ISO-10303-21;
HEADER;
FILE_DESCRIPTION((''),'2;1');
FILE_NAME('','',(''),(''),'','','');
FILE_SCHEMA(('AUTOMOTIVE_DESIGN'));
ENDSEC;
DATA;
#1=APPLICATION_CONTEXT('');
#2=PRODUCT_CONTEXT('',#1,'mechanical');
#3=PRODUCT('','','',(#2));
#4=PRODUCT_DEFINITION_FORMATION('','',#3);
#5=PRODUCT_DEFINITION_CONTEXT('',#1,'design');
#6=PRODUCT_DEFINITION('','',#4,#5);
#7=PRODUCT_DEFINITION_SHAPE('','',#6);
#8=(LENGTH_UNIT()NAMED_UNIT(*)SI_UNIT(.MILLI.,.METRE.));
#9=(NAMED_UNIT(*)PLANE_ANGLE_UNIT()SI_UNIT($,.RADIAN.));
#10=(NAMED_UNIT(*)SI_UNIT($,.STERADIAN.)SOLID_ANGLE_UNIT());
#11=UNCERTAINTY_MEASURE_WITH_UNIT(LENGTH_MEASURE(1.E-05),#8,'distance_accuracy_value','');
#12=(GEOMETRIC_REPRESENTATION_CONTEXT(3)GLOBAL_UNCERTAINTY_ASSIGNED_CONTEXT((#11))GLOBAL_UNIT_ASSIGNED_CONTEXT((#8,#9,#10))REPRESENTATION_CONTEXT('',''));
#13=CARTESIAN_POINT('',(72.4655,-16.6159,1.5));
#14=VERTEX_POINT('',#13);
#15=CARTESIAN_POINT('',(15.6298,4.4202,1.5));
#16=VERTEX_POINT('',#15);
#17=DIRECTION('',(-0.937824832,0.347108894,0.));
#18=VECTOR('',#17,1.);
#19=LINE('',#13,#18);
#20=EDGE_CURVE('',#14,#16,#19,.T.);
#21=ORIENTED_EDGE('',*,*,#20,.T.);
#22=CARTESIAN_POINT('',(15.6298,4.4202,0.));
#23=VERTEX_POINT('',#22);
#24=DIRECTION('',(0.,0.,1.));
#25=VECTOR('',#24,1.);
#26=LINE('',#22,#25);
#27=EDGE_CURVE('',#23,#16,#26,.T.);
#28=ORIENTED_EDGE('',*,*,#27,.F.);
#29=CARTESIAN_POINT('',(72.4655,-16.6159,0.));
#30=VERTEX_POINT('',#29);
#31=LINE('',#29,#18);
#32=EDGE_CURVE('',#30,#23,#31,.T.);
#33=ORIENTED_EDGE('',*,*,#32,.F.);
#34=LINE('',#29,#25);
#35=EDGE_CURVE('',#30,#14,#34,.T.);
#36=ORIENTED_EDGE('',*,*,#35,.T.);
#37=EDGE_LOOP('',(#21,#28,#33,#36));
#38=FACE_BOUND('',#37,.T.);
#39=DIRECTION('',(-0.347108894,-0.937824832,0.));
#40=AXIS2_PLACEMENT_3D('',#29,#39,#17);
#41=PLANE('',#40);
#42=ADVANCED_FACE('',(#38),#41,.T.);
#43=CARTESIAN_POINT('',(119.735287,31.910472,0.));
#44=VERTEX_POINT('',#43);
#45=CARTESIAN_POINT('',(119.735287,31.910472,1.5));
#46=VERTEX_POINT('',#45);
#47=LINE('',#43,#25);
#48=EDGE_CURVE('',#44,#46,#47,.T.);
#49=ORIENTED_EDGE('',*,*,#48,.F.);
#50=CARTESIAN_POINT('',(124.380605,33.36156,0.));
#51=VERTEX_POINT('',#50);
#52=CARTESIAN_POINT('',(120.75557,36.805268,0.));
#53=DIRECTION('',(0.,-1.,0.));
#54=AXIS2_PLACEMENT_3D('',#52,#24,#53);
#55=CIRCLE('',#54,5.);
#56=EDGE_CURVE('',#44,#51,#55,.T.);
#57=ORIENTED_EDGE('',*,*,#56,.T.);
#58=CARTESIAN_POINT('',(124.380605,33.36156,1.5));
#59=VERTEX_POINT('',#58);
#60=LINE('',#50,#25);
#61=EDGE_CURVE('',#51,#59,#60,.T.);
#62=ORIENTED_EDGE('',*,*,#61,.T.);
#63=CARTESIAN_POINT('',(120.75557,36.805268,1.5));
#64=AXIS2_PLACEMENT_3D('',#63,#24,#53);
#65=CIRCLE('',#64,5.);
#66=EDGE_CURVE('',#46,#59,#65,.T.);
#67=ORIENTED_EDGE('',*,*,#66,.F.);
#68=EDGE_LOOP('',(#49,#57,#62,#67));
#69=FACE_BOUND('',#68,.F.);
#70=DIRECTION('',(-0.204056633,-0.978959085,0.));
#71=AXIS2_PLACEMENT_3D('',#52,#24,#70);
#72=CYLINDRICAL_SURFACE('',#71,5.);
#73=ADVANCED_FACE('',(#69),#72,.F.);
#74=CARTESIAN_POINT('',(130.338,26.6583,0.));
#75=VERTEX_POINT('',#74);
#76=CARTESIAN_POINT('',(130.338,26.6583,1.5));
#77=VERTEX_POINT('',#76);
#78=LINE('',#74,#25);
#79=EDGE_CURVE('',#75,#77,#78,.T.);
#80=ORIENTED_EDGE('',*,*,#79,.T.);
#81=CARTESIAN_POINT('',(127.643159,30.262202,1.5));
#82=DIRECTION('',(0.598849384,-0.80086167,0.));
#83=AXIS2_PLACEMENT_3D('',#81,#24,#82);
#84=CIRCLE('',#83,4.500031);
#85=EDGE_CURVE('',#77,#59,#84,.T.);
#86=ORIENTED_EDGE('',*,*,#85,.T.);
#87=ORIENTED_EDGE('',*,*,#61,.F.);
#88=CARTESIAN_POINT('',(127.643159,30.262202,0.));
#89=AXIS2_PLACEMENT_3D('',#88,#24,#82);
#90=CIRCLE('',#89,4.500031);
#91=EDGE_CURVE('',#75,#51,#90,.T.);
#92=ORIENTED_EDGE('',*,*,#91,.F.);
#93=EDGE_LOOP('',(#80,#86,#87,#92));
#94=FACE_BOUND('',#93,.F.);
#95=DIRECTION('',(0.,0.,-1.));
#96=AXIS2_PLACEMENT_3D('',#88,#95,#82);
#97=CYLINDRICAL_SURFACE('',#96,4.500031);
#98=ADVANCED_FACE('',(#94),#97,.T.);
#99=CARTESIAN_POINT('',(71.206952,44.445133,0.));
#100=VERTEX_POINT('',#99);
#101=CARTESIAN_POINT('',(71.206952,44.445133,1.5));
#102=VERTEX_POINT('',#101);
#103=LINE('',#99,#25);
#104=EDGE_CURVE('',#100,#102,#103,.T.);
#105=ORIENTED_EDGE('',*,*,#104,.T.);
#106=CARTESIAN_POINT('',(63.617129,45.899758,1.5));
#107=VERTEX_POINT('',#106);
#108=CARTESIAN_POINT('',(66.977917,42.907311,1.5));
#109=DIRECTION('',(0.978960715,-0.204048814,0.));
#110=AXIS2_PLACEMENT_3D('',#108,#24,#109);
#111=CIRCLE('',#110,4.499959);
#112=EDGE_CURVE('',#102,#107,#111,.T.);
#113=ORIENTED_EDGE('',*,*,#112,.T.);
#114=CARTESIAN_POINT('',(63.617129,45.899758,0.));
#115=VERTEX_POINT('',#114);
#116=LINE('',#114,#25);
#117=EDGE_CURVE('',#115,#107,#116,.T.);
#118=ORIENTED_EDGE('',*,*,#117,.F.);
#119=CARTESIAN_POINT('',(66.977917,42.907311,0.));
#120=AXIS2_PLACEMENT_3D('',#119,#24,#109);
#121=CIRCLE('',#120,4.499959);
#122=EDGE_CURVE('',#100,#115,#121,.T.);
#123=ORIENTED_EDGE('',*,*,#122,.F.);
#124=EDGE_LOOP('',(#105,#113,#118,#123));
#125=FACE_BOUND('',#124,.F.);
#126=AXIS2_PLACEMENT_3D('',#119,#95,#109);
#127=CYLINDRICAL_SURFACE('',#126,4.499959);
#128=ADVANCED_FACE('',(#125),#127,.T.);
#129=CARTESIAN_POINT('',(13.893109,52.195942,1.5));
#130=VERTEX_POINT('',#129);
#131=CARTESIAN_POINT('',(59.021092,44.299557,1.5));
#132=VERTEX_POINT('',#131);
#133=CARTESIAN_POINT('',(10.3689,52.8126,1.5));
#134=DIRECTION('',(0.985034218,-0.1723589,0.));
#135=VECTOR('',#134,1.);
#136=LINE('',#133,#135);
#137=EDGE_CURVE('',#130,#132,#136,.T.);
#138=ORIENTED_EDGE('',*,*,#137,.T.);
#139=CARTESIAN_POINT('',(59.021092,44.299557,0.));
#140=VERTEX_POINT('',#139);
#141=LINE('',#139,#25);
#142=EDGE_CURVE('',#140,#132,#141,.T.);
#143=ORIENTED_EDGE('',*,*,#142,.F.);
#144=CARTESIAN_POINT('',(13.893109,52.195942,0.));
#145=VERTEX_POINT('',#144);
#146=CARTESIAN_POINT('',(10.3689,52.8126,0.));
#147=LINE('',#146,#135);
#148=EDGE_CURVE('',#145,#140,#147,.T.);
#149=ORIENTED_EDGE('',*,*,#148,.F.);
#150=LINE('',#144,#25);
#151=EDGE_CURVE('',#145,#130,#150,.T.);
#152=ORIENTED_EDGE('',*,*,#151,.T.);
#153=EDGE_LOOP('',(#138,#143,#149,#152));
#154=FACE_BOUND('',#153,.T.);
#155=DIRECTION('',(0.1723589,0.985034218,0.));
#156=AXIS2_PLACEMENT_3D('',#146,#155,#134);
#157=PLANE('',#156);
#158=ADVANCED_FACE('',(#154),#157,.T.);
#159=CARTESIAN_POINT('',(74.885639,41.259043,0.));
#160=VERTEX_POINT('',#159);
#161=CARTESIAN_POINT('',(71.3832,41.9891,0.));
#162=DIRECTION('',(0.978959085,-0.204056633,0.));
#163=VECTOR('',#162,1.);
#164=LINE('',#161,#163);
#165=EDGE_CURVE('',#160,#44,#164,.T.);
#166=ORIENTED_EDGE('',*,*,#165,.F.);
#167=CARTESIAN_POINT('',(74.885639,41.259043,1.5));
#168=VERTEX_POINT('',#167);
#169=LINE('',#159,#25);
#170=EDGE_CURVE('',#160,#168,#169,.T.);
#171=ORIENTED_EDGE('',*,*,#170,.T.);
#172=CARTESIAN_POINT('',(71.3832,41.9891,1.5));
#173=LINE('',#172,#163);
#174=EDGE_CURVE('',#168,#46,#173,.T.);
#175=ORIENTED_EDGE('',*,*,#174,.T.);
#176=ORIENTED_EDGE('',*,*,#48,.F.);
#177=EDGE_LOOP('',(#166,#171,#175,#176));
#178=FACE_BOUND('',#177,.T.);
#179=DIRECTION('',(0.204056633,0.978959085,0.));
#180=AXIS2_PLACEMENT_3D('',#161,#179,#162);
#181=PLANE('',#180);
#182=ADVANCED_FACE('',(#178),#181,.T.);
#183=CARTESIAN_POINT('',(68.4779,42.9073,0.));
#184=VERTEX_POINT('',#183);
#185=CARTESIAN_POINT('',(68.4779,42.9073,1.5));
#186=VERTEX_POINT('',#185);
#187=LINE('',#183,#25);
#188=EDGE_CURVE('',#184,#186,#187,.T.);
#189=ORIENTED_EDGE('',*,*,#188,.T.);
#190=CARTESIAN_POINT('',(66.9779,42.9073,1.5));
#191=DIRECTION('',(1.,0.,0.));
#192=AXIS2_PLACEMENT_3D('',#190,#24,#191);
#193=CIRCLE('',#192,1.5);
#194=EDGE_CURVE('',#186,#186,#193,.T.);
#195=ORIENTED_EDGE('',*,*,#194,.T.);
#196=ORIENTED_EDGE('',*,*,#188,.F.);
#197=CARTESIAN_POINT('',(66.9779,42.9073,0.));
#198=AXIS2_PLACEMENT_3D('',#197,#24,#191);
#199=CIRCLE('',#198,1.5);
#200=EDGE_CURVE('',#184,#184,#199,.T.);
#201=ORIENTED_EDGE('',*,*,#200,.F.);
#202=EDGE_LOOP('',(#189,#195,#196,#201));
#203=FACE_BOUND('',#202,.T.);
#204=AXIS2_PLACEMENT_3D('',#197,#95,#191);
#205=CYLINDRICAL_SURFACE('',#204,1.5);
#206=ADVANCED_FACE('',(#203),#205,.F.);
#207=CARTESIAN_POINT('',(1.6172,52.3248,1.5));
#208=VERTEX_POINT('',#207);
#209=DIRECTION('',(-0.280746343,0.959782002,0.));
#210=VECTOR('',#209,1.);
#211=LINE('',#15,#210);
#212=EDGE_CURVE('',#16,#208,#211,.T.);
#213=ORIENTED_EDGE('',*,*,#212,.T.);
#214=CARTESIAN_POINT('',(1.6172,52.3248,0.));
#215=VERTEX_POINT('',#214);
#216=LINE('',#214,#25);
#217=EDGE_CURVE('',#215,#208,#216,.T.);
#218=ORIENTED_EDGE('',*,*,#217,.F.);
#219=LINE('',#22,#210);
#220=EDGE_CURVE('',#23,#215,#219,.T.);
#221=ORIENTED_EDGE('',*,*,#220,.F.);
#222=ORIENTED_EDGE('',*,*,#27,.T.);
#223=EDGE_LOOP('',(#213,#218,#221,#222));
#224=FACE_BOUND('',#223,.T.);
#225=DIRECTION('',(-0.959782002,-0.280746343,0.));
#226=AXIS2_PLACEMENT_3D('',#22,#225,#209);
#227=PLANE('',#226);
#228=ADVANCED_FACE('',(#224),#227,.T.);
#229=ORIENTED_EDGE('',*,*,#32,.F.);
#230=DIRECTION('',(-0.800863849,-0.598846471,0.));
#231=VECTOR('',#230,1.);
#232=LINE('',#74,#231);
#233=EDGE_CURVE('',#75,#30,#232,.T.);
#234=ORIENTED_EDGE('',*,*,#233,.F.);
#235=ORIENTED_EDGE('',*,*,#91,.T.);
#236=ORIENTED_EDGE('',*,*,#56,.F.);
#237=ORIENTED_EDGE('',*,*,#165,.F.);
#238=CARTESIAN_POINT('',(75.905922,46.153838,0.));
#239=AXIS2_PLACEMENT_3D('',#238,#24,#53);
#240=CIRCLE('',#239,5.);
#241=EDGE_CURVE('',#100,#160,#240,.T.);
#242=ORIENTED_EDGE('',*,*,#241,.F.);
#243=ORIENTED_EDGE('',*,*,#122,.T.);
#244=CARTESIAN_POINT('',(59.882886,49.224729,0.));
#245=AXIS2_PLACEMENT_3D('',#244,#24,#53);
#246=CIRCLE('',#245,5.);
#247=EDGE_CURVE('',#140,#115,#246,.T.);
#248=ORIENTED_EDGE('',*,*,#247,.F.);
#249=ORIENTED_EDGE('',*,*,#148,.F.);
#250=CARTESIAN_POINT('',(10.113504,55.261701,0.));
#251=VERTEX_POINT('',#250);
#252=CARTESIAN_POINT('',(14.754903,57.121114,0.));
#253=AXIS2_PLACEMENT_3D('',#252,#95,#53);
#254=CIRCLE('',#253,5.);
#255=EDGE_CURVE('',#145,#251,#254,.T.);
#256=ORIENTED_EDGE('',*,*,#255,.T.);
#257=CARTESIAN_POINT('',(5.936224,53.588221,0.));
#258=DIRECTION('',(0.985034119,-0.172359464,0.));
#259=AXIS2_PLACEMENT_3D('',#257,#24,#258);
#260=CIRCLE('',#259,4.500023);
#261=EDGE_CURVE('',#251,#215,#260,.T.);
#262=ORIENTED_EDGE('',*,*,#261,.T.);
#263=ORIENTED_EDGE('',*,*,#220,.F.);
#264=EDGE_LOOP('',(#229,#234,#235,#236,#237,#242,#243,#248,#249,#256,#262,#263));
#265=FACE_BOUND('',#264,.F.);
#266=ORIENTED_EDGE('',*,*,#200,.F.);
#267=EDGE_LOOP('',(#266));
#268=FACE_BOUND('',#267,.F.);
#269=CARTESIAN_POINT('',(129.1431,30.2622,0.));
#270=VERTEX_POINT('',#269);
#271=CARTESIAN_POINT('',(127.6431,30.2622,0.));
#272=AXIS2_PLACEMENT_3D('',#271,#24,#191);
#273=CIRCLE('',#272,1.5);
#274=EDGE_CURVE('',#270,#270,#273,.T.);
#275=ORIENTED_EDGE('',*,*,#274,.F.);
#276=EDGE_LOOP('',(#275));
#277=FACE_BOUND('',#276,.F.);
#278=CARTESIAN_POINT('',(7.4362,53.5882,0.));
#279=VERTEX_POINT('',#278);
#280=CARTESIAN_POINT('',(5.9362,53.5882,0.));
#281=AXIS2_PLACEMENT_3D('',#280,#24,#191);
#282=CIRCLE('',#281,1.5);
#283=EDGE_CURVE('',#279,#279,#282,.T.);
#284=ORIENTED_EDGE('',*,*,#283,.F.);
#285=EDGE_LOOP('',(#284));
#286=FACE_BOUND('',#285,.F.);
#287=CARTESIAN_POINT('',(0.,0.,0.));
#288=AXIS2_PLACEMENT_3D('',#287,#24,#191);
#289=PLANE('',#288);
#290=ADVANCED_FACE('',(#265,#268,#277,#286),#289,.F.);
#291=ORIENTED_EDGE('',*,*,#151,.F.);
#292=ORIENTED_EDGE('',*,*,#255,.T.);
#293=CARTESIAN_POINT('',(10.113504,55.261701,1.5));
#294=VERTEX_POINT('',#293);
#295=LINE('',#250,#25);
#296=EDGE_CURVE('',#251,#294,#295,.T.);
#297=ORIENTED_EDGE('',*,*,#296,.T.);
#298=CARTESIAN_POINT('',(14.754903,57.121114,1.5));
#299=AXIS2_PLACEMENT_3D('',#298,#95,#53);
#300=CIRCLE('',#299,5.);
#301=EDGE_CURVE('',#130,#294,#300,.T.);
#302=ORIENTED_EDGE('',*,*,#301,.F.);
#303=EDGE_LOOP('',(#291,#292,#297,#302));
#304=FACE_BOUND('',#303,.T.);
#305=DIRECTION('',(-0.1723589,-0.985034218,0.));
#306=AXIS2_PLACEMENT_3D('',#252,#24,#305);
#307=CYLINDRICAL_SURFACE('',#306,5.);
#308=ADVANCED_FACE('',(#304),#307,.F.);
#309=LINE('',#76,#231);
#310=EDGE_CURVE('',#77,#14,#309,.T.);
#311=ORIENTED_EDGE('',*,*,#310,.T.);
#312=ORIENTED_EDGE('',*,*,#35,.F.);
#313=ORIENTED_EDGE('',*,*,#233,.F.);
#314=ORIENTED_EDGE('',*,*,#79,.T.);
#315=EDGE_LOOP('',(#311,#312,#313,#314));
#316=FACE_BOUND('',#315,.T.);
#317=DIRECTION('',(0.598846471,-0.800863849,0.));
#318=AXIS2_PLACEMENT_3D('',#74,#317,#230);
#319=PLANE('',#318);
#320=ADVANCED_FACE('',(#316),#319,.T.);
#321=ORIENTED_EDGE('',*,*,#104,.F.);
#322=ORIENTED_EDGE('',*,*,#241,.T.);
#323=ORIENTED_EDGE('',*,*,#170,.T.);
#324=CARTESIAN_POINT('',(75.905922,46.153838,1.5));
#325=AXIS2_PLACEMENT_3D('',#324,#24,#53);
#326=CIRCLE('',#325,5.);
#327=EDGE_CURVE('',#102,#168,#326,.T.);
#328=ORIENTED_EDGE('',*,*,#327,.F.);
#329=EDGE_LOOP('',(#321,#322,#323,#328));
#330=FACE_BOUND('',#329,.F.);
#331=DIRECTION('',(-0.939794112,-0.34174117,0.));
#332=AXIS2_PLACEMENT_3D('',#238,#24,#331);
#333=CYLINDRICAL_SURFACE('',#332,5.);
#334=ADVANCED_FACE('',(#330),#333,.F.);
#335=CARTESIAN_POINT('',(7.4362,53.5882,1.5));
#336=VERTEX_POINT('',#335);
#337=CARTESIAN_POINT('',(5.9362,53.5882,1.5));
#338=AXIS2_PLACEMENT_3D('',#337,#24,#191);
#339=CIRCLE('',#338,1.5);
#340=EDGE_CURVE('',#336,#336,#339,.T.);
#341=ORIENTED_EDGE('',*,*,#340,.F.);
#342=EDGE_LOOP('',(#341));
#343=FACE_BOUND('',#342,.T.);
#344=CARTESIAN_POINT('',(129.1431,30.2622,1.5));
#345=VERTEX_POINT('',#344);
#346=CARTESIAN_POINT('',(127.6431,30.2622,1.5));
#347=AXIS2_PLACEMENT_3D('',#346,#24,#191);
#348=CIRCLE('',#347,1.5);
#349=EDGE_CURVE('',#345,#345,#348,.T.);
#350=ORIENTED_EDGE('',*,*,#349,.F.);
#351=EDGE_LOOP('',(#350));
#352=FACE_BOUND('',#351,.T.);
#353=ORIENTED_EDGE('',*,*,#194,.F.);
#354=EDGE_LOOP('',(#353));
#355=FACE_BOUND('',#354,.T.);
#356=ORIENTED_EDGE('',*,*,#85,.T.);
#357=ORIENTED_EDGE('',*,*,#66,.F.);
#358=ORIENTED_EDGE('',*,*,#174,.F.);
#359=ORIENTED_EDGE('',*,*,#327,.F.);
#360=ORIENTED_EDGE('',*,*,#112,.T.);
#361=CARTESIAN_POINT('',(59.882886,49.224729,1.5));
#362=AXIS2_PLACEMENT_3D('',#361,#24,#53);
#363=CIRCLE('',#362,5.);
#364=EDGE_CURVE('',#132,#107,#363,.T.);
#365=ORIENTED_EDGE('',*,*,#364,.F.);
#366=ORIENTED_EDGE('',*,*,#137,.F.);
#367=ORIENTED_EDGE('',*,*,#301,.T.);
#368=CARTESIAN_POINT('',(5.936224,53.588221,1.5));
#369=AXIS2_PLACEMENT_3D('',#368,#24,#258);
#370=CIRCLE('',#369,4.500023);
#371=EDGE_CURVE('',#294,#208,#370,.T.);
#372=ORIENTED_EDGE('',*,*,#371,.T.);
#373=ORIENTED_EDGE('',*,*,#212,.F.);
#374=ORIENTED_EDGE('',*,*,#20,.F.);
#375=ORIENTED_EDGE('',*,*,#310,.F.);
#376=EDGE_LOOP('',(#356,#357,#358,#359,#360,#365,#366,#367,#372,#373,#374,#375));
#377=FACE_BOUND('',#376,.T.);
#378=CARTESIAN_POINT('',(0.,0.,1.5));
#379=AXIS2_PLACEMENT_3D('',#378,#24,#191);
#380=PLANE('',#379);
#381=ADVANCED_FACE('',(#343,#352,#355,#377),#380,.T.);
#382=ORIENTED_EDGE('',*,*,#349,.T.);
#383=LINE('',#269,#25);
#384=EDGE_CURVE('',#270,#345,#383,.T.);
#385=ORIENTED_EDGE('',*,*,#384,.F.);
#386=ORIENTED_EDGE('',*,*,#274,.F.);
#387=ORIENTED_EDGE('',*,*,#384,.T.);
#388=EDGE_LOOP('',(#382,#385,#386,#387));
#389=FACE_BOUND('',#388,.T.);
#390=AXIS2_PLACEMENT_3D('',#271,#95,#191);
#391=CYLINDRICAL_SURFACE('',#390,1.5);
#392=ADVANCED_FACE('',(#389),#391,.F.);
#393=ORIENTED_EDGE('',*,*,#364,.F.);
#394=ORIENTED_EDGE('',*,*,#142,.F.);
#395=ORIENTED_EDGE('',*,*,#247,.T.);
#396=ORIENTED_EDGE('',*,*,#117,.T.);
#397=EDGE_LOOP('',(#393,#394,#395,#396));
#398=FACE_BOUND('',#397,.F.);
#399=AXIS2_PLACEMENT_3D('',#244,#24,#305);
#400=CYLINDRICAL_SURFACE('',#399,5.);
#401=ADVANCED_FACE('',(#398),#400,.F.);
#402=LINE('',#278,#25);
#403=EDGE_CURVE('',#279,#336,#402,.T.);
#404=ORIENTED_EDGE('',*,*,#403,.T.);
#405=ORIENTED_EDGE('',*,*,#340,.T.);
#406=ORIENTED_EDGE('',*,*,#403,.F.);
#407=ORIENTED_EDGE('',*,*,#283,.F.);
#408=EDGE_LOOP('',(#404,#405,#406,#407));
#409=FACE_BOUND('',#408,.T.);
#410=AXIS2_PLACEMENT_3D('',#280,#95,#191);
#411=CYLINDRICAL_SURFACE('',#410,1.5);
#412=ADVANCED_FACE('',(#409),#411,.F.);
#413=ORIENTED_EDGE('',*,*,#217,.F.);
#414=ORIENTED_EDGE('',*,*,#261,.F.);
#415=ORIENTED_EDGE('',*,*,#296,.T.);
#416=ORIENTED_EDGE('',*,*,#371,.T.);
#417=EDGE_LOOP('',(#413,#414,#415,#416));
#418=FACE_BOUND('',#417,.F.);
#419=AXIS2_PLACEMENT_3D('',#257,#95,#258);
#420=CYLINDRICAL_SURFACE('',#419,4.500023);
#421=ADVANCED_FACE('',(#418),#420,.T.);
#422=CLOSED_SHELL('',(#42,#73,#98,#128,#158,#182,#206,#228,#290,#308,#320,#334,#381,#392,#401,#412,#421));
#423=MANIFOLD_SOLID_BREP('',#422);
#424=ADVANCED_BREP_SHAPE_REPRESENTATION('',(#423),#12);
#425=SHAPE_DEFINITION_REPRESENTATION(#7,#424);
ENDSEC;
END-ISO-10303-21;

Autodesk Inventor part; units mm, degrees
ref_plane "YZ Plane" through (0, 0, 0) normal (1, 0, 0) x (0, 1, 0)
ref_plane "XZ Plane" through (0, 0, 0) normal (0, 1, 0) x (-1, 0, 0)
ref_plane "XY Plane" through (0, 0, 0) normal (0, 0, 1) x (1, 0, 0)
sketch "スケッチ1" plane through (0, 0, 0) normal (0, 0, 1) x (1, 0, 0)
  circle A0 centre (-35.9404, 22.842) radius 1.5
  circle A1 centre (5.9362, 53.5882) radius 1.5
  circle A2 centre (127.6431, 30.2622) radius 1.5
  line L0 (22.9895, 50.3198) -> (110.5899, 33.5306)
  circle A3 centre (5.9362, 53.5882) radius 4.5
  circle A4 centre (127.6431, 30.2622) radius 4.5
  circle A5 centre (-35.9404, 22.842) radius 3
  line L1 (5.0892, 49.1686) -> (9.9998, 48.2275)
  line L2 (9.9998, 48.2275) -> (22.9895, 50.3198)
  line L3 (110.5899, 33.5306) -> (121.8855, 26.7838)
  line L4 (121.8855, 26.7838) -> (126.7961, 25.8426)
  line L5 (4.4419, 57.8328) -> (15.2047, 61.622)
  line L6 (-37.785, 25.2079) -> (3.1694, 57.1371)
  line L7 (3.5126, 49.7966) -> (-34.0959, 20.4761)
  line L8 (122.0018, 41.1536) -> (130.601, 33.6535)
  circle A6 centre (80.3181, 36.2778) radius 3
  circle A7 centre (80.3181, 36.2778) radius 4.5
  line L9 (128.2106, 34.7263) -> (80.8855, 40.7419)
  circle A8 centre (80.4743, 23.124) radius 1.5
  line L10 (120.4636, 35.711) -> (121.0283, 38.6574)
  line L11 (15.1864, 58.9428) -> (14.6217, 55.9964)
  circle A9 centre (66.9779, 42.9073) radius 1.5
  circle A10 centre (66.9779, 42.9073) radius 3
  line L12 (29.9182, 56.1193) -> (29.3535, 53.1729)
  arc A11 (17.2488, 58.5475) -> (15.1864, 58.9428) centre (16.2176, 58.7451) ccw
  arc A12 (29.9182, 56.1193) -> (27.8558, 56.5146) centre (28.887, 56.3169) ccw
  arc A13 (27.2911, 53.5682) -> (29.3535, 53.1729) centre (28.3223, 53.3705) ccw
  arc A14 (14.6217, 55.9964) -> (16.6841, 55.6011) centre (15.6529, 55.7987) ccw
  line L13 (17.2488, 58.5475) -> (27.8558, 56.5146)
  line L14 (16.6841, 55.6011) -> (27.2911, 53.5682)
  arc A15 (31.8825, 55.7428) -> (27.0019, 58.7146) centre (28.887, 56.3169) ccw
  line L15 (27.0019, 58.7146) -> (18.8556, 60.2759)
  arc A16 (18.8556, 60.2759) -> (15.2047, 61.622) centre (16.2176, 58.7451) ccw
  line L16 (106.2964, 41.4808) -> (105.7317, 38.5345)
  arc A17 (108.3589, 41.0856) -> (106.2964, 41.4808) centre (107.3276, 41.2832) ccw
  arc A18 (121.0283, 38.6574) -> (118.9658, 39.0527) centre (119.997, 38.855) ccw
  arc A19 (118.4011, 36.1063) -> (120.4636, 35.711) centre (119.4323, 35.9086) ccw
  arc A20 (105.7317, 38.5345) -> (107.7942, 38.1392) centre (106.7629, 38.3368) ccw
  line L17 (31.8825, 55.7428) -> (104.3322, 41.8573)
  line L18 (108.3589, 41.0856) -> (118.9658, 39.0527)
  line L19 (107.7942, 38.1392) -> (118.4011, 36.1063)
  arc A21 (122.0018, 41.1536) -> (118.1119, 41.2527) centre (119.997, 38.855) ccw
  line L20 (118.1119, 41.2527) -> (109.9656, 42.814)
  arc A22 (109.9656, 42.814) -> (104.3322, 41.8573) centre (107.3276, 41.2832) ccw
  line L21 (30.451, 58.9354) -> (37.6452, 54.6383)
  line L22 (16.7917, 61.7406) -> (29.4611, 59.3124)
  line L23 (120.5711, 41.8505) -> (107.9017, 44.2787)
  line L24 (106.8426, 44.2944) -> (98.5694, 42.9618)
  point P0 (0, 0)
  point P1 (0, 0)
  dimension "d4" = 9
  dimension "d0" = 9
  dimension "d1" = 9
  dimension "d2" = 6
  dimension "d3" = 6
  dimension "d5" = 47.7059
  dimension "d6" = 47.7059
  dimension "d7" = 3
  dimension "d8" = 3
  dimension "d9" = 8.0769
  dimension "d10" = 8.0769
  dimension "d11" = 3
  dimension "d12" = 6
  dimension "d13" = 61.9691
  dimension "d14" = 61.9691
  dimension "d15" = 15
  dimension "d16" = 2.1
  dimension "d17" = 2
  dimension "d18" = 2
  dimension "d19" = 2
  dimension "d20" = 15
  dimension "d21" = 2.1
  dimension "d22" = 7
  dimension "d23" = 2
  dimension "d24" = 2
  dimension "d25" = 5
  dimension "d26" = 5
  dimension "d27" = 160
  dimension "d28" = 160
  dimension "d29" = 160
  dimension "d30" = 160
sketch "スケッチ2" plane through (0, 0, 0) normal (0, 0, 1) x (1, 0, 0)
  circle A0 centre (5.9362, 53.5882) radius 1.5 projected
  circle A1 centre (66.9779, 42.9073) radius 1.5 projected
  circle A2 centre (127.6431, 30.2622) radius 1.5 projected
  arc A3 (10.3689, 52.8126) -> (1.6172, 52.3248) centre (5.9362, 53.5882) ccw
  arc A4 (71.3832, 41.9891) -> (62.5453, 43.6829) centre (66.9779, 42.9073) ccw
  arc A5 (130.338, 26.6583) -> (123.2378, 31.1804) centre (127.6431, 30.2622) ccw
  line L0 (10.3689, 52.8126) -> (62.5453, 43.6829)
  line L1 (71.3832, 41.9891) -> (123.2378, 31.1804)
  line L2 (130.338, 26.6583) -> (72.4655, -16.6159)
  line L3 (72.4655, -16.6159) -> (15.6298, 4.4202)
  line L4 (15.6298, 4.4202) -> (1.6172, 52.3248)
  point P0 (0, 0)
  dimension "d31" = 9
  dimension "d32" = 9
  dimension "d33" = 9
extrude "押し出し1" add sketch "スケッチ2" along normal blind 1.5
fillet "フィレット1" radius 5 4 edges at (10.3689, 52.8126, 0.75) (62.5453, 43.6829, 0.75) (71.3832, 41.9891, 0.75) (123.2378, 31.1804, 0.75)
equation "\"d6\" = d5"
equation "\"d10\" = d9"
equation "\"d14\" = d13"
properties part number "台形サスカバー" material "ポリカーボネート、クリア"
